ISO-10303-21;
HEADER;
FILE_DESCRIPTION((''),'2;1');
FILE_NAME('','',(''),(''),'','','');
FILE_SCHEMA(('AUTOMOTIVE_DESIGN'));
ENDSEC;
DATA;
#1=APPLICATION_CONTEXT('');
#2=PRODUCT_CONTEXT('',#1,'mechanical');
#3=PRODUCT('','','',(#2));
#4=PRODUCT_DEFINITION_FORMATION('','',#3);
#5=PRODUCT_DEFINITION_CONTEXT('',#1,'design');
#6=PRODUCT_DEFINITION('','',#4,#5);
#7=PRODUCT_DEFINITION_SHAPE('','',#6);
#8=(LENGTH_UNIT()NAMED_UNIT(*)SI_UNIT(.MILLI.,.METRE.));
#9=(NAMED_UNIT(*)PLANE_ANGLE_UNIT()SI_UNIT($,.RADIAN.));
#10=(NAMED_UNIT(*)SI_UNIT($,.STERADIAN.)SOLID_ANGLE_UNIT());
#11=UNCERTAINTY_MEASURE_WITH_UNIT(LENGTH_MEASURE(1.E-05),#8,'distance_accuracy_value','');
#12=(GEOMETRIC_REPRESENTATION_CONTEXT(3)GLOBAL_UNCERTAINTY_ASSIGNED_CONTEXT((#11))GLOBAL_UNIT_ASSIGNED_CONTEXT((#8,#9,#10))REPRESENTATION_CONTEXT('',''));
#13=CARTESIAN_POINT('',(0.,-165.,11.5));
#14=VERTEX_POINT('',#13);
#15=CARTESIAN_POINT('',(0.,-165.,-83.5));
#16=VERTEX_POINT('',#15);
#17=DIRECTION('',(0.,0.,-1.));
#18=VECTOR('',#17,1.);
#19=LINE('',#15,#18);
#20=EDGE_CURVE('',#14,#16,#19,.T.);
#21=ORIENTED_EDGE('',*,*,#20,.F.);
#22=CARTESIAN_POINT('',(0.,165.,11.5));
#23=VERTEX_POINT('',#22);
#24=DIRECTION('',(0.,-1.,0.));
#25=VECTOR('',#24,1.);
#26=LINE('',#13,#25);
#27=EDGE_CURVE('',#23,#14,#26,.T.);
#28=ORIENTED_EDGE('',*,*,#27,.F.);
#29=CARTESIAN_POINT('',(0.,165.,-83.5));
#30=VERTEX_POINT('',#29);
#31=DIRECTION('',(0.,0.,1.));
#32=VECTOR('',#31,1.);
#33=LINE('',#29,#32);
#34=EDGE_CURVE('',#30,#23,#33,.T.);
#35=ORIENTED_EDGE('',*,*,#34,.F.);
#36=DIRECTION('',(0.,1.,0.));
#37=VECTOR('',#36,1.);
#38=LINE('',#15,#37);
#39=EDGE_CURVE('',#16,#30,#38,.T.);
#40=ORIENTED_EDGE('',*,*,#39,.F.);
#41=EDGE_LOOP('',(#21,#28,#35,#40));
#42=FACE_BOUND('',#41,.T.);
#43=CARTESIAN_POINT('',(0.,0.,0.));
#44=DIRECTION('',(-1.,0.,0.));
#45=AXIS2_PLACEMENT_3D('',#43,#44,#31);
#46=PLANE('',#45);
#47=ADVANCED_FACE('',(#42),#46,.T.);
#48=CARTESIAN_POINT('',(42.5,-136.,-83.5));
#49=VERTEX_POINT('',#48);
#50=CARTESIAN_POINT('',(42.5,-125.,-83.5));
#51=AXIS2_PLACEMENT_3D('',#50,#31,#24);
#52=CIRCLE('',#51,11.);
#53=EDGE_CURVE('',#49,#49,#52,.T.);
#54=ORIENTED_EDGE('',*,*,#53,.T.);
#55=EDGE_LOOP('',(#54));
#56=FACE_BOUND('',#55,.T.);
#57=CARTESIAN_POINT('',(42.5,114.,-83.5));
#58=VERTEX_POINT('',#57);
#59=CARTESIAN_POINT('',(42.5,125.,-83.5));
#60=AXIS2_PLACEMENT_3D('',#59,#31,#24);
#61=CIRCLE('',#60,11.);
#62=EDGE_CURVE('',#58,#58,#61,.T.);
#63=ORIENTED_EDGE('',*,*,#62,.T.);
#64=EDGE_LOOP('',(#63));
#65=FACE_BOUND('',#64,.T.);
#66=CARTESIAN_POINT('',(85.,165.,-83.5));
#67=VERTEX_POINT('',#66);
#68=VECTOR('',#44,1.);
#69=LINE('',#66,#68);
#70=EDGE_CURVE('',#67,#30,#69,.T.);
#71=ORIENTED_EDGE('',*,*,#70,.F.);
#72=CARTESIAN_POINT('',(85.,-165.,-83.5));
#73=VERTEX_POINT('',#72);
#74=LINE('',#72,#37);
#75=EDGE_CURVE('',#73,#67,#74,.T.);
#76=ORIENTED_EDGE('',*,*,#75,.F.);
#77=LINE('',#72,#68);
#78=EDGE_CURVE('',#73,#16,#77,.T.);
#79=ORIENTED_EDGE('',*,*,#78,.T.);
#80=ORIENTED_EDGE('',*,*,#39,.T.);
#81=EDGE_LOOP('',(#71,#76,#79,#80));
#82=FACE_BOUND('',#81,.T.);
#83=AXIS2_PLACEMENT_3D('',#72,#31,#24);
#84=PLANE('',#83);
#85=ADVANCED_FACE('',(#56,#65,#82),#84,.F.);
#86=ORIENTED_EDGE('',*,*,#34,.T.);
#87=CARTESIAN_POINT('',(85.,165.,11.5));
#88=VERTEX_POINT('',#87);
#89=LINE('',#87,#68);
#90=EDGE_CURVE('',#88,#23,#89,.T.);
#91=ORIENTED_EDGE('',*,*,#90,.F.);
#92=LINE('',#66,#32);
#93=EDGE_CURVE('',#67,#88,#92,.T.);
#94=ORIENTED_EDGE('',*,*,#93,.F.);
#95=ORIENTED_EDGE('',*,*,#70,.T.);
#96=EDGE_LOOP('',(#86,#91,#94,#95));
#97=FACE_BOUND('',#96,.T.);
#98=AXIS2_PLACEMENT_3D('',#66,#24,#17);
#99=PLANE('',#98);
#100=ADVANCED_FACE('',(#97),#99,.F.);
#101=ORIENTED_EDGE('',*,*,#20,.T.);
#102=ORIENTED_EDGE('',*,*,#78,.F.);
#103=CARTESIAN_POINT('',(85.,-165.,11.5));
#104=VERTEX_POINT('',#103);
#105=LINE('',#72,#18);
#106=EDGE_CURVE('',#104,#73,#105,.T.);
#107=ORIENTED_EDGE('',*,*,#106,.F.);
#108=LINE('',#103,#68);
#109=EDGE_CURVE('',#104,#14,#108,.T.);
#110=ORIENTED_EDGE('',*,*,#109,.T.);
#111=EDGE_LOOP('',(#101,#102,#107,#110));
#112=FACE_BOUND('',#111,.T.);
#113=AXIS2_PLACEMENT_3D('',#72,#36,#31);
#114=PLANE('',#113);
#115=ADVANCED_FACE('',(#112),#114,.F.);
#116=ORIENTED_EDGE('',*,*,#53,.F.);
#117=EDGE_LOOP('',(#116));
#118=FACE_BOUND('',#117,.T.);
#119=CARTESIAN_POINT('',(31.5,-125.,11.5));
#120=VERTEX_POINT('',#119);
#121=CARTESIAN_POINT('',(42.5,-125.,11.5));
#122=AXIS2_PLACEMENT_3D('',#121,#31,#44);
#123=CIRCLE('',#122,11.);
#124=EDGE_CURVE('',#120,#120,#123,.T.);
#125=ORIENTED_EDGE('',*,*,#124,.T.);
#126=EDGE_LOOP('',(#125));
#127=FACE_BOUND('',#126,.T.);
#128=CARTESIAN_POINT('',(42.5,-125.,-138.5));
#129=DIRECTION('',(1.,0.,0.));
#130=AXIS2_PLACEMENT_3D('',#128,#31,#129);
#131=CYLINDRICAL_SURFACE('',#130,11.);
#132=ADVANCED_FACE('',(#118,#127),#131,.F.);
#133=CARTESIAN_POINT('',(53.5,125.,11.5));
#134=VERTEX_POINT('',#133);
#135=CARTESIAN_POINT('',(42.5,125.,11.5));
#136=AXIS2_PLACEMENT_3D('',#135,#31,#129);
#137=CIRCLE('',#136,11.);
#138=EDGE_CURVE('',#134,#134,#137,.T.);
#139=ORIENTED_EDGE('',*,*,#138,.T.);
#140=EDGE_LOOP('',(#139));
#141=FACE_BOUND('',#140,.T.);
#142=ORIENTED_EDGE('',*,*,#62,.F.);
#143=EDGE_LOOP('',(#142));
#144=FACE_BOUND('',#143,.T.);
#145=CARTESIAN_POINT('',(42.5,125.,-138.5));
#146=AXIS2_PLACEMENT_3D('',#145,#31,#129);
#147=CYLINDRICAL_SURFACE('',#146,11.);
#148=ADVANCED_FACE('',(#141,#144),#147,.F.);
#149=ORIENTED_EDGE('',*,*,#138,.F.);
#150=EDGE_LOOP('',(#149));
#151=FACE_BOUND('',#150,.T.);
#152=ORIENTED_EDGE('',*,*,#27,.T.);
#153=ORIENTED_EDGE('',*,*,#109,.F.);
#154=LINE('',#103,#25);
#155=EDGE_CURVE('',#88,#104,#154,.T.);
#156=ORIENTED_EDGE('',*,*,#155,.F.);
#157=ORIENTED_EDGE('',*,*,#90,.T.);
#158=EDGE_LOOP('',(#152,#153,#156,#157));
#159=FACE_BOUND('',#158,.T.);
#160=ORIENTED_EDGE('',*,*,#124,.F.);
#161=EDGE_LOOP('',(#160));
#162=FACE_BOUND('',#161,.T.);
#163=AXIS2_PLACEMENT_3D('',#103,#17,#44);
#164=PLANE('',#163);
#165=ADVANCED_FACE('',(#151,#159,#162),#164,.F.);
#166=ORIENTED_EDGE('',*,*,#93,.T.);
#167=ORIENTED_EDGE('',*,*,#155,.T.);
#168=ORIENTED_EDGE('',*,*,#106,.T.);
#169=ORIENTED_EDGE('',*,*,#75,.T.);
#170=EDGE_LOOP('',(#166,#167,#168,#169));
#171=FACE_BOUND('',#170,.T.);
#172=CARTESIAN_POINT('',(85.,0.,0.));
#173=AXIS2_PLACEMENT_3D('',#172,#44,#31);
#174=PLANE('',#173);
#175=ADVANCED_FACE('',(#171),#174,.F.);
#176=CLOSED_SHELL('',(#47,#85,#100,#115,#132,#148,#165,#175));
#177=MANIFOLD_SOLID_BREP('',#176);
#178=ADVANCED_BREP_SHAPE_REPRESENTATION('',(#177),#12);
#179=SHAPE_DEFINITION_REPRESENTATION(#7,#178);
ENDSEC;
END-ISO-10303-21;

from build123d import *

# Parameters (mm, degrees)
SKETCH1_W           = 330
SKETCH1_H           = 95
BOSS_EXTRUDE1_DEPTH = 85
SKETCH3_R           = 11
CUT_EXTRUDE2_DEPTH  = 150


with BuildPart() as part:
    # Sketch1 → Boss-Extrude1 (new body)
    with BuildSketch(Plane.YZ):
        with Locations((0, -36)):
            Rectangle(SKETCH1_W, SKETCH1_H)
    extrude(amount=BOSS_EXTRUDE1_DEPTH)

    # Sketch3 → Cut-Extrude2 (cut)
    with BuildSketch(Plane.XY.offset(11.5)):
        with Locations((42.5, 125)):
            Circle(SKETCH3_R)
        with Locations(Location((42.5, -125, 0), (0, 0, 270))):
            Circle(SKETCH3_R)
    extrude(amount=-CUT_EXTRUDE2_DEPTH, mode=Mode.SUBTRACT)


solid = part.part
